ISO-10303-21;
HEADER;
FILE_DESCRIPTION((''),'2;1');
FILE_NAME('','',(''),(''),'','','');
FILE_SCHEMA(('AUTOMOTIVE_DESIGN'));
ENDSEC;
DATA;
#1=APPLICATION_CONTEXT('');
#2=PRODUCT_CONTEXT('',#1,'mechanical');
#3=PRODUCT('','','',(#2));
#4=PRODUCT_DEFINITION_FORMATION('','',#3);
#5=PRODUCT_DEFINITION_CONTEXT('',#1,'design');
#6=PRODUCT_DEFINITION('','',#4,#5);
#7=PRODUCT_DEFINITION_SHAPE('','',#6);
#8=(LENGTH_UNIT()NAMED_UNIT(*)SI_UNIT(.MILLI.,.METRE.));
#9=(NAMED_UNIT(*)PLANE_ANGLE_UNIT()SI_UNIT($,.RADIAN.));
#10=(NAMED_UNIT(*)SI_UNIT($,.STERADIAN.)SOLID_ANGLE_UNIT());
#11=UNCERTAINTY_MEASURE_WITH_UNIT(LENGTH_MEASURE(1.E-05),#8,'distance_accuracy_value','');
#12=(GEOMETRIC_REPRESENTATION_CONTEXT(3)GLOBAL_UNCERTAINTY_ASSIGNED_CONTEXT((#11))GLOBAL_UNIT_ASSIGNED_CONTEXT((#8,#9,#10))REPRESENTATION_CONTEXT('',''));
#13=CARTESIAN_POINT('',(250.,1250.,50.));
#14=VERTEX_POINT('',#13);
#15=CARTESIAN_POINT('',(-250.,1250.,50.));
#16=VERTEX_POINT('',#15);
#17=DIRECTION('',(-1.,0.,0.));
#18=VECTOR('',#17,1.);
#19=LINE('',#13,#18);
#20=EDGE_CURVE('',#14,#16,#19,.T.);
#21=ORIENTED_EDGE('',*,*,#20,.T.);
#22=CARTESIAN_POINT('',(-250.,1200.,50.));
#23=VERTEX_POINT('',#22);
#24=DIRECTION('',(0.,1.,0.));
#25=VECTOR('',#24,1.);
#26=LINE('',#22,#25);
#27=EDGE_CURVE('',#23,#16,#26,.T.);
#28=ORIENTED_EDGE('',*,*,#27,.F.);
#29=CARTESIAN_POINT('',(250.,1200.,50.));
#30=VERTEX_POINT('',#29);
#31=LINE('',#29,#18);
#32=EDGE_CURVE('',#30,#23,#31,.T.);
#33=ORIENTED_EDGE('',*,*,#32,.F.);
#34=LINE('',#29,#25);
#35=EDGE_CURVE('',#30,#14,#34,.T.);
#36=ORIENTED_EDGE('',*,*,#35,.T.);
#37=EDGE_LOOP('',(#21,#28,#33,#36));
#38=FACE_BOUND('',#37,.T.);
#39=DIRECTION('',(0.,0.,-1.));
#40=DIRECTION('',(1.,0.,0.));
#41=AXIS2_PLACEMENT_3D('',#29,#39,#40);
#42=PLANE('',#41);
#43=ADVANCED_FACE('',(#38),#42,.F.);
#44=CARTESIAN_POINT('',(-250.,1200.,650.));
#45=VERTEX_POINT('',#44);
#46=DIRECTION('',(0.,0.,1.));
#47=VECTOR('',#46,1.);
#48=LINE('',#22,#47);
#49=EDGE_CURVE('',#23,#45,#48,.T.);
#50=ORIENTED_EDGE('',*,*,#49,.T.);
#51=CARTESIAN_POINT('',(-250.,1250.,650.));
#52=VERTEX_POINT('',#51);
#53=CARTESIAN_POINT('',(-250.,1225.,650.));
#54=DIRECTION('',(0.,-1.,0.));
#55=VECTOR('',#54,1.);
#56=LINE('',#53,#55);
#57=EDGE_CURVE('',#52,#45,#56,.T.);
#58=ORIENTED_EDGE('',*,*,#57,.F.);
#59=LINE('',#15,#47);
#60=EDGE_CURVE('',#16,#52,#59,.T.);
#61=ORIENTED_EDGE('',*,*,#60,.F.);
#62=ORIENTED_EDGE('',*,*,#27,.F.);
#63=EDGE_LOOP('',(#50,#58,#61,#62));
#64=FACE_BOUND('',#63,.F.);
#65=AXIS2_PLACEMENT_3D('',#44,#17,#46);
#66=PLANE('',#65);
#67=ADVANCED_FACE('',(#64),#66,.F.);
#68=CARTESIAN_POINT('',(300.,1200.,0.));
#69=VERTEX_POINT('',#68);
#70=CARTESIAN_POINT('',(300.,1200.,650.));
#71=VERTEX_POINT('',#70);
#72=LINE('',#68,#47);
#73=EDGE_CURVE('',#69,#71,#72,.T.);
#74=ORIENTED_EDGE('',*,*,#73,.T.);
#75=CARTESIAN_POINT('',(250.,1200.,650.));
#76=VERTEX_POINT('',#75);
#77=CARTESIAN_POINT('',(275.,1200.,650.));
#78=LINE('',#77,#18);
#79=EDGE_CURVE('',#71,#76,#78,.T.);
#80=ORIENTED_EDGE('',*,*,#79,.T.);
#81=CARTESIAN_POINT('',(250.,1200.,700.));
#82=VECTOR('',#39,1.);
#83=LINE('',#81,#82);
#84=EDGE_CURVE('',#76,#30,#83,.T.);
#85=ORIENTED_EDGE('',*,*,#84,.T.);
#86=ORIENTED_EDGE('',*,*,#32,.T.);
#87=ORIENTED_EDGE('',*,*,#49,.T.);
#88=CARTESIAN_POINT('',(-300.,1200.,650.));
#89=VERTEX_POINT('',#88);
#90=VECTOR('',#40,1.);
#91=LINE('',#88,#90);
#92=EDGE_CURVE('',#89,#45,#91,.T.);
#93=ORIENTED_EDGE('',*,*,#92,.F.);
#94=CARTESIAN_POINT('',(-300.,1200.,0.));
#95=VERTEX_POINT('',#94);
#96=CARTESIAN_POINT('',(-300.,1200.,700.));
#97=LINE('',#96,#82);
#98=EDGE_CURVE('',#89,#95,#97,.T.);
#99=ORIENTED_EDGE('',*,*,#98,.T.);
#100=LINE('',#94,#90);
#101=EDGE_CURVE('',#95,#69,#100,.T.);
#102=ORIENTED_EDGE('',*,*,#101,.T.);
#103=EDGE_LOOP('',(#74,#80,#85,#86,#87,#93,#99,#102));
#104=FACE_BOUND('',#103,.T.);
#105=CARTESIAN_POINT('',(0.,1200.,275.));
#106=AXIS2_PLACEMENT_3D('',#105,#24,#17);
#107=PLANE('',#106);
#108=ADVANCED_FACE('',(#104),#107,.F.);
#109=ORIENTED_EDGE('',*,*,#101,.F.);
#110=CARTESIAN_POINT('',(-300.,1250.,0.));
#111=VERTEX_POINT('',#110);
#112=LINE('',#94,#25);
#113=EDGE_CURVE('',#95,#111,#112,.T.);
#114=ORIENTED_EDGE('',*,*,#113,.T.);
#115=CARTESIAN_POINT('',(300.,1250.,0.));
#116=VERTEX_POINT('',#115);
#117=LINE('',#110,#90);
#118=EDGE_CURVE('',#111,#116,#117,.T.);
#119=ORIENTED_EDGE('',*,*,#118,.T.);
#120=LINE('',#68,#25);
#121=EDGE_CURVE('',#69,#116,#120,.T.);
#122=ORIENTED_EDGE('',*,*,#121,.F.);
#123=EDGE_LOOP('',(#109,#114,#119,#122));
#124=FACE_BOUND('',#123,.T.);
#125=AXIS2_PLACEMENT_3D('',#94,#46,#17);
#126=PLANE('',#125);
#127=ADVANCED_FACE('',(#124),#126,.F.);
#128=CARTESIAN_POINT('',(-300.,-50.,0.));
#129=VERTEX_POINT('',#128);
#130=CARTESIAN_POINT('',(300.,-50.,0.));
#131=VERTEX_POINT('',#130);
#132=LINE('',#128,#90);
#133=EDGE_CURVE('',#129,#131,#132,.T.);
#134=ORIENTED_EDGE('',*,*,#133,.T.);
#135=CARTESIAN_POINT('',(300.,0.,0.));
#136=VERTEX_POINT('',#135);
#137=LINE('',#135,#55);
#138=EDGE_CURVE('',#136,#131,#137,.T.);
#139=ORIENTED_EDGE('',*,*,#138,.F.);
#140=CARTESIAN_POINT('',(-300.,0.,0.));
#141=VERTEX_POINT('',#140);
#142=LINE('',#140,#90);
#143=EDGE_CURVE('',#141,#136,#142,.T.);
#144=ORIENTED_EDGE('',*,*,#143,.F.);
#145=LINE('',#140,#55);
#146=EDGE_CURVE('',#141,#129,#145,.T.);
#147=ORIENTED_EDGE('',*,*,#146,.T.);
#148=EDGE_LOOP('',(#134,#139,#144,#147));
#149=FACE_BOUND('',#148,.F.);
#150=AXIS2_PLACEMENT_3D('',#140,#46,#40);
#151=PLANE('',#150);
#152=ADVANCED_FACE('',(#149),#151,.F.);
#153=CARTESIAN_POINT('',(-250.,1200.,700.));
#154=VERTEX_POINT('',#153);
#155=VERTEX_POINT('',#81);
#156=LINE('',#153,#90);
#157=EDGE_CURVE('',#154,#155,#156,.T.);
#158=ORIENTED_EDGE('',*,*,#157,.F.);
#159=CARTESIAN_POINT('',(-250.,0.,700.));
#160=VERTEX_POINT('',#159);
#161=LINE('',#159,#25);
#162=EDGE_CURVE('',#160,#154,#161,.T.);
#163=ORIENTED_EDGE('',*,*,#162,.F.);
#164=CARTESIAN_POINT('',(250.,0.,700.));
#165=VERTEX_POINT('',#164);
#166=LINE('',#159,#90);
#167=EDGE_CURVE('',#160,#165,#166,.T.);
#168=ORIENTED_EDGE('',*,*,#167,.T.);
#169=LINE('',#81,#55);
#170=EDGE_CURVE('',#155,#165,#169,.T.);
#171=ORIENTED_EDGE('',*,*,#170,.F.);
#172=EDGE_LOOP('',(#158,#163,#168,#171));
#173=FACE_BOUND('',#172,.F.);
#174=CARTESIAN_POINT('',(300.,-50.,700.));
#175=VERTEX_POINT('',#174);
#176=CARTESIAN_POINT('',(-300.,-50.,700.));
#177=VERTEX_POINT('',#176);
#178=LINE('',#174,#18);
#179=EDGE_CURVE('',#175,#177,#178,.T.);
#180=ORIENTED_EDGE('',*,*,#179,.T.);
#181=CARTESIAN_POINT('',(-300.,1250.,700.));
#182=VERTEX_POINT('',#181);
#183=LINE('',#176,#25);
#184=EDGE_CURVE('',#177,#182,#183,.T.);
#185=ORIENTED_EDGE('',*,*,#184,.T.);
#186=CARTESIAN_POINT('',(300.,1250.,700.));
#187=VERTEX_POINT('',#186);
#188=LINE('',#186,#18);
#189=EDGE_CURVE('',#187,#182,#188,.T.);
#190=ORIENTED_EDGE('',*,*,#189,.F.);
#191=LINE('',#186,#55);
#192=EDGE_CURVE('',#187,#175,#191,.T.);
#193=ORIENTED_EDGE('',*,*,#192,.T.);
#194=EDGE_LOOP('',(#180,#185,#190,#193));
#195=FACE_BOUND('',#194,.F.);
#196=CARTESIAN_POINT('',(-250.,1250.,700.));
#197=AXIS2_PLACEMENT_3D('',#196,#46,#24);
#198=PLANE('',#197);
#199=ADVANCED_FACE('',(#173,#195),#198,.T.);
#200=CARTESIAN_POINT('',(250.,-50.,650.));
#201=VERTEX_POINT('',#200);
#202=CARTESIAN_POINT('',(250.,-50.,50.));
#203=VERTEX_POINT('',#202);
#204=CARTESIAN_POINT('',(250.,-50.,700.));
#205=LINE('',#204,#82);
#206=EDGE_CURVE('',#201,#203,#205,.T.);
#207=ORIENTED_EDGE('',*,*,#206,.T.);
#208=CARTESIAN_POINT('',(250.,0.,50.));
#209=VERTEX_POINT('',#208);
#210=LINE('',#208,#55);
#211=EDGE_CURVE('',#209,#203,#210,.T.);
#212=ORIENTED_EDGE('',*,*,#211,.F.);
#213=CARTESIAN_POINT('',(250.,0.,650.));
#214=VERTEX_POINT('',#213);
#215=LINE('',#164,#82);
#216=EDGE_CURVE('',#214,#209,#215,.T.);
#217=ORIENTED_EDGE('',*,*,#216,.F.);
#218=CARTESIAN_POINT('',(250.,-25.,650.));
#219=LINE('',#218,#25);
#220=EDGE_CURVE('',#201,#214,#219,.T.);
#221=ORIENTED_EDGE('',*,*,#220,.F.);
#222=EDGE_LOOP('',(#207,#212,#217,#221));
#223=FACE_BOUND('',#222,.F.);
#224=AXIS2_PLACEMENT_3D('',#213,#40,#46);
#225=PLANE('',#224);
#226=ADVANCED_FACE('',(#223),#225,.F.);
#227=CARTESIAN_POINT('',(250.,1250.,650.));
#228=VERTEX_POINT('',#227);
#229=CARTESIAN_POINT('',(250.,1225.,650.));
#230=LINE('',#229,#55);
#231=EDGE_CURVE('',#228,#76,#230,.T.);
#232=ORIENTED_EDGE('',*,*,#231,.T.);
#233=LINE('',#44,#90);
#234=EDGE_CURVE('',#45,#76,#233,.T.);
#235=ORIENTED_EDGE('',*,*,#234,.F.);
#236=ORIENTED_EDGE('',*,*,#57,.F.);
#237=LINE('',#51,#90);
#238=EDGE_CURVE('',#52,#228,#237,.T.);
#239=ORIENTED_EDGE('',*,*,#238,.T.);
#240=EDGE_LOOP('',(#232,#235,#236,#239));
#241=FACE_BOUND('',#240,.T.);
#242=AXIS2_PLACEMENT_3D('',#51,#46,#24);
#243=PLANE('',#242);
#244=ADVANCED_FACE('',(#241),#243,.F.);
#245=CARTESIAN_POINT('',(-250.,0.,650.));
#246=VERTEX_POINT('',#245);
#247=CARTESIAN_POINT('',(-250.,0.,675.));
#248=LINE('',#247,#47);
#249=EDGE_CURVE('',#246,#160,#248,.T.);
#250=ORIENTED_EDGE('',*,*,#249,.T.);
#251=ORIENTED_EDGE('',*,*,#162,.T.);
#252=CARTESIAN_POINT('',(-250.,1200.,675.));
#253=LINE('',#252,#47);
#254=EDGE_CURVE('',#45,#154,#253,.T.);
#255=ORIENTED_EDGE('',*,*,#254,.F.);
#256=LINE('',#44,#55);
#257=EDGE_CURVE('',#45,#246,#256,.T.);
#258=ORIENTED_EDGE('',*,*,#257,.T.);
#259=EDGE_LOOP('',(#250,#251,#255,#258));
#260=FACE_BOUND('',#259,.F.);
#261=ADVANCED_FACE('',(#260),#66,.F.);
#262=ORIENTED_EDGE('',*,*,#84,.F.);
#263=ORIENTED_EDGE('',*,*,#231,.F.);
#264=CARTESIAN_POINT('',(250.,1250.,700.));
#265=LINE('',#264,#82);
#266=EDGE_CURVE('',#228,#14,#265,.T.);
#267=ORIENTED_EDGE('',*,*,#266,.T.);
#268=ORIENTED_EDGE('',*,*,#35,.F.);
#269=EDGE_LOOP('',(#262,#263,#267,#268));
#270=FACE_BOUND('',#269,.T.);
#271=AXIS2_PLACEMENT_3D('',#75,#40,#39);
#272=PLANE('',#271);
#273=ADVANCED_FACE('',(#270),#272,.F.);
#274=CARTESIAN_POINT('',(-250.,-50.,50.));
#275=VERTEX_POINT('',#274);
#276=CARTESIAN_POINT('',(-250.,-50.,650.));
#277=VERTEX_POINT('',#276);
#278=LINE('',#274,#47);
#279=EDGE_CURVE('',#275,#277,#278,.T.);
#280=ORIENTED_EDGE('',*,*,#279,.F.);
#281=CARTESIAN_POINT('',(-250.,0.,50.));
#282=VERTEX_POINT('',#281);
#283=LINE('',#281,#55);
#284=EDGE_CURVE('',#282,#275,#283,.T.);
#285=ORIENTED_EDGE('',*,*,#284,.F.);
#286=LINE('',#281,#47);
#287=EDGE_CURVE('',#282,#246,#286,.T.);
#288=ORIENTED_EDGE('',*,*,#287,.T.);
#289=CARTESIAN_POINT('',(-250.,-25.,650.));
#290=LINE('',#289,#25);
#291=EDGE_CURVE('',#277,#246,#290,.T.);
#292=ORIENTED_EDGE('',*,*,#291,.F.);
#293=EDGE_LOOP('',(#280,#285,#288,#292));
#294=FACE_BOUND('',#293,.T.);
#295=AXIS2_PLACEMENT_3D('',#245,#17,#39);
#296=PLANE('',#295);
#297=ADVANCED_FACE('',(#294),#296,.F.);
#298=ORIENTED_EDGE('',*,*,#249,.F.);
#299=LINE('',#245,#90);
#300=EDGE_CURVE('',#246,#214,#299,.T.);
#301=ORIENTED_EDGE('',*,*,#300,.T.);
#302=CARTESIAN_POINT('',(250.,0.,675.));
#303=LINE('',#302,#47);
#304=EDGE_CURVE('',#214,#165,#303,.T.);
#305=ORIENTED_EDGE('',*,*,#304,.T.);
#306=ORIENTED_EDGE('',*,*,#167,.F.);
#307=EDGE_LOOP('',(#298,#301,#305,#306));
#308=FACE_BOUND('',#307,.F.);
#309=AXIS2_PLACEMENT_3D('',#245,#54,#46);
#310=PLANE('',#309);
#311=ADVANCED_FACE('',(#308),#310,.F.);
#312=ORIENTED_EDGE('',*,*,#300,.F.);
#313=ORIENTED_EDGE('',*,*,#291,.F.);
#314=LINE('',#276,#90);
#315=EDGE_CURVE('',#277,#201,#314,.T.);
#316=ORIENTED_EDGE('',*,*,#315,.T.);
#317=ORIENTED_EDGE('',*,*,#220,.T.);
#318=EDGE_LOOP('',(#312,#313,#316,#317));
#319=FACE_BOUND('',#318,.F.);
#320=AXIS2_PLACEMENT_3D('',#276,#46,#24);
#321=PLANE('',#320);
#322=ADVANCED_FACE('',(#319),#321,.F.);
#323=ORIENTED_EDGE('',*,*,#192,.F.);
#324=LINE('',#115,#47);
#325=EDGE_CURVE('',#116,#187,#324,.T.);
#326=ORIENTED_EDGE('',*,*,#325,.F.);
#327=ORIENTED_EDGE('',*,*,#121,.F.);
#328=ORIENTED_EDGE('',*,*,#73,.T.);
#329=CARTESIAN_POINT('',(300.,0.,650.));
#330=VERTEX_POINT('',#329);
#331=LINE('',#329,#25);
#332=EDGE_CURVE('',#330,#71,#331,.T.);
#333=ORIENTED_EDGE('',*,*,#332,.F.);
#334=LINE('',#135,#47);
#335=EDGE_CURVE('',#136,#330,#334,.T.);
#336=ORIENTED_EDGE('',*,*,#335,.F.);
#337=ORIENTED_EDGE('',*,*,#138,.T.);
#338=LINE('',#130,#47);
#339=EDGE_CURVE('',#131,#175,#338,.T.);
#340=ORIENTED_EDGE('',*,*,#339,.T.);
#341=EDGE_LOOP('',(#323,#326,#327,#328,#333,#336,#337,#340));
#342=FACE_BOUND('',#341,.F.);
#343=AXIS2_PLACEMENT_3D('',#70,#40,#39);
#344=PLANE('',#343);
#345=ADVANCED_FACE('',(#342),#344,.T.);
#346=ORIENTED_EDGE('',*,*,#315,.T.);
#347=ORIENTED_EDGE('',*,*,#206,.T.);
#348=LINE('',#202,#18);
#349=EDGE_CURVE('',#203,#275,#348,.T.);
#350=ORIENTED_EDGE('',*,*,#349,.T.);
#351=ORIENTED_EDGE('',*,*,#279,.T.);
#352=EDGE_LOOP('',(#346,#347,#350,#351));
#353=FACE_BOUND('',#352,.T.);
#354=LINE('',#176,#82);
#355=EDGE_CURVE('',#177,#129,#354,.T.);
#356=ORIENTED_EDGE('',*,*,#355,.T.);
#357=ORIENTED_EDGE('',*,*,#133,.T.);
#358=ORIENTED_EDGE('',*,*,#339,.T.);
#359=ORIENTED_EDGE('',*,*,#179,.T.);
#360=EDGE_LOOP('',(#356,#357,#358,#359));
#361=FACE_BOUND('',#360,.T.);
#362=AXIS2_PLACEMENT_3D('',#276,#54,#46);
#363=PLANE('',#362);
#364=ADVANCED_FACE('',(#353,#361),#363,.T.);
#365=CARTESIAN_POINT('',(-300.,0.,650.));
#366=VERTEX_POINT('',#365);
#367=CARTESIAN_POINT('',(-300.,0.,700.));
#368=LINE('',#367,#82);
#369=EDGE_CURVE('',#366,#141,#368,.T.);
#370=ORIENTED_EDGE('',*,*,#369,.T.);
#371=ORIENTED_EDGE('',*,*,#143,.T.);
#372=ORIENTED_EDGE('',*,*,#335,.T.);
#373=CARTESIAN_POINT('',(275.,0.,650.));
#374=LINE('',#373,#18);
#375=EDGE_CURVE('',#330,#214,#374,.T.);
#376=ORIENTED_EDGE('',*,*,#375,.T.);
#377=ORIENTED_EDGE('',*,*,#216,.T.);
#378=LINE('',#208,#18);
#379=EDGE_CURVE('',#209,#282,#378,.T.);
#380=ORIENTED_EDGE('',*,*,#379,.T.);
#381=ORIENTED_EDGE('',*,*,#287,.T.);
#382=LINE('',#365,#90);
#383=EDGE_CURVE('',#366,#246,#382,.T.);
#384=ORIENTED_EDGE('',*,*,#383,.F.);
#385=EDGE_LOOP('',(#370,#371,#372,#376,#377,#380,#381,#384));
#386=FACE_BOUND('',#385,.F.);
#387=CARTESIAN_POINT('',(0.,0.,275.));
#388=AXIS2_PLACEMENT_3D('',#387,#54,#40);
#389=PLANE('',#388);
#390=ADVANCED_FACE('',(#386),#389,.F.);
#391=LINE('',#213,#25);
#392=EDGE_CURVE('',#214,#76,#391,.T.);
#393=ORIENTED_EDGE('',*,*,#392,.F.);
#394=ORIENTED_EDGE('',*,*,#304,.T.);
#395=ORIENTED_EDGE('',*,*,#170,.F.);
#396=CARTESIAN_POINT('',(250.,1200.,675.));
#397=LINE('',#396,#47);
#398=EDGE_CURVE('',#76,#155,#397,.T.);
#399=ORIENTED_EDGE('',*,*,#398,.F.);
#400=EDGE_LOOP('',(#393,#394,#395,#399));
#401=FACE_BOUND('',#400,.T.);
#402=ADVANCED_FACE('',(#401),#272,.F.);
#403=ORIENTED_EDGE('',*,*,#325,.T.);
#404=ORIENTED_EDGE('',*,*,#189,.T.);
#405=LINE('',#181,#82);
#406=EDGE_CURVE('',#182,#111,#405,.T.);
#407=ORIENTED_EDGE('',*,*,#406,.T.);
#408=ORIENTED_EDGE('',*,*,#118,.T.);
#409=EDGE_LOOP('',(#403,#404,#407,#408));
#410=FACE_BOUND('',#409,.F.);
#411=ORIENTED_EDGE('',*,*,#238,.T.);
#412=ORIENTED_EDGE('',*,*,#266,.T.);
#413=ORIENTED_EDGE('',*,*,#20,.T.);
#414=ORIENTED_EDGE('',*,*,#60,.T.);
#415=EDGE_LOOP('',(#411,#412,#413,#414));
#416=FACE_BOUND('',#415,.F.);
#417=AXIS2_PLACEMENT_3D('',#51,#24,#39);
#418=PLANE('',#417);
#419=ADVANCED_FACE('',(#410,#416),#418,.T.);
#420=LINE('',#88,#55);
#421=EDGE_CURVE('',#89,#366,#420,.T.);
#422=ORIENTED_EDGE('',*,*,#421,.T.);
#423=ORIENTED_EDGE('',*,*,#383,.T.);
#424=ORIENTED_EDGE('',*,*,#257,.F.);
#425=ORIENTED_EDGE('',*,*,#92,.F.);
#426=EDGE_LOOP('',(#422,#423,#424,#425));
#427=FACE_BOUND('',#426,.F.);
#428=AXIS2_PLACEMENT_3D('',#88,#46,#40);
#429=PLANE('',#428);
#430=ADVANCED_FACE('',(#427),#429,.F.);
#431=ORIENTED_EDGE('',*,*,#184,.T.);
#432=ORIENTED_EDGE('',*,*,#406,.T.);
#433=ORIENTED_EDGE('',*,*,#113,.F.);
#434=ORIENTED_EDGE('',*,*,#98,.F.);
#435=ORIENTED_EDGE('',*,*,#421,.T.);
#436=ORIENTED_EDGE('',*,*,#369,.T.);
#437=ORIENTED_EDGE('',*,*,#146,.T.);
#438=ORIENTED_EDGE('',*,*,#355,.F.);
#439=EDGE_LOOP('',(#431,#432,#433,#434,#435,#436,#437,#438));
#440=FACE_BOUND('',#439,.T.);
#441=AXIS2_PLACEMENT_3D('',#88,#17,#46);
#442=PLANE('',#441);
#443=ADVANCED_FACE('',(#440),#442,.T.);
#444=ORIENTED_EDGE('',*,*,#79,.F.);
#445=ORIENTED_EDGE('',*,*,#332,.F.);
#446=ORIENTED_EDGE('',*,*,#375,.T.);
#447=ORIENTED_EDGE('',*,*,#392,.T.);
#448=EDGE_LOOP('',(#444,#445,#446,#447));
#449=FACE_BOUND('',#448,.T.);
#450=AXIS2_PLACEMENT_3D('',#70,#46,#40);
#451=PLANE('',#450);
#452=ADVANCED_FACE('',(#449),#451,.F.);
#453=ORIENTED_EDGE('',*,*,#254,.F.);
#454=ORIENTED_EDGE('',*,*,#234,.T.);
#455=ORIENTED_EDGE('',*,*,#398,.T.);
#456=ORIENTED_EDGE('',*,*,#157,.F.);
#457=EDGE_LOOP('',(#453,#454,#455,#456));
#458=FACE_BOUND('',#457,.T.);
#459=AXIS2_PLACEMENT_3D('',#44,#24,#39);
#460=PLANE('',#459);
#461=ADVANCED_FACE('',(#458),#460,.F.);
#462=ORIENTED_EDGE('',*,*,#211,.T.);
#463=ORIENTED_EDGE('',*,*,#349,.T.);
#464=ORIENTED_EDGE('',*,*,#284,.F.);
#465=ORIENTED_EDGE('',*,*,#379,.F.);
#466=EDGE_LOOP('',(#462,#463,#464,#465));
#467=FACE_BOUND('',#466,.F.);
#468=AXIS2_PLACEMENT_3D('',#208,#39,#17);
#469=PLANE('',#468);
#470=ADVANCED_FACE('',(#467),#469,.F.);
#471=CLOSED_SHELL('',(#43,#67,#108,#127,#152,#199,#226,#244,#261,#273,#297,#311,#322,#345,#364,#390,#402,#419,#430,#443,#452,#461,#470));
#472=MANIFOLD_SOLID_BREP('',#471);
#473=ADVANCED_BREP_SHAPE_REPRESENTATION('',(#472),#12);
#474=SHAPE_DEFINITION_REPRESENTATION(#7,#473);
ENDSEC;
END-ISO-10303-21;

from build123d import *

# Parameters (mm, degrees)
F1_DEPTH      = 50
F2_W          = 50
F2_H          = 50
F3_DEPTH      = 600
F5_W          = 50
F5_H          = 50
F6_DEPTH      = 500
F6_DEPTH_BACK = 25


with BuildPart() as f1:
    # F0 (on Front) → F1 (new body)
    with BuildSketch(Plane.XZ):
        Polygon((-300, 700), (-300, 0), (300, 0), (300, 700), (250, 700), (250, 50), (-250, 50), (-250, 700), align=None)
    extrude(amount=F1_DEPTH)

    # F4: F3 across plane


with BuildPart() as f3:
    # F2 (on face) → F3 (new body)
    with BuildSketch(Plane(origin=(0, 0, 0), x_dir=(-1, 0, 0), z_dir=(0, 1, 0))):
        with Locations((-275, 675)):
            Rectangle(F2_W, F2_H)
    extrude(amount=F3_DEPTH)


with BuildPart() as f1_1:
    add(f1.part)
    add(f3.part.mirror(Plane.YZ))


    add(f3.part)  # F6 merges F3
    # F5 (on face) → F6 (join, two sides)
    with BuildSketch(Plane.YZ.offset(-250)) as f6_sk:
        with Locations((-25, 675)):
            Rectangle(F5_W, F5_H)
    extrude(amount=F6_DEPTH)
    extrude(f6_sk.sketch, amount=-F6_DEPTH_BACK)

    # F7: F1 across face


with BuildPart() as f1_2:
    add(f1_1.part)
    add(f1_1.part.mirror(Plane(origin=(275, 600, 675), x_dir=(-1, 0, 0), z_dir=(0, 1, 0))))


solid = f1_2.part
